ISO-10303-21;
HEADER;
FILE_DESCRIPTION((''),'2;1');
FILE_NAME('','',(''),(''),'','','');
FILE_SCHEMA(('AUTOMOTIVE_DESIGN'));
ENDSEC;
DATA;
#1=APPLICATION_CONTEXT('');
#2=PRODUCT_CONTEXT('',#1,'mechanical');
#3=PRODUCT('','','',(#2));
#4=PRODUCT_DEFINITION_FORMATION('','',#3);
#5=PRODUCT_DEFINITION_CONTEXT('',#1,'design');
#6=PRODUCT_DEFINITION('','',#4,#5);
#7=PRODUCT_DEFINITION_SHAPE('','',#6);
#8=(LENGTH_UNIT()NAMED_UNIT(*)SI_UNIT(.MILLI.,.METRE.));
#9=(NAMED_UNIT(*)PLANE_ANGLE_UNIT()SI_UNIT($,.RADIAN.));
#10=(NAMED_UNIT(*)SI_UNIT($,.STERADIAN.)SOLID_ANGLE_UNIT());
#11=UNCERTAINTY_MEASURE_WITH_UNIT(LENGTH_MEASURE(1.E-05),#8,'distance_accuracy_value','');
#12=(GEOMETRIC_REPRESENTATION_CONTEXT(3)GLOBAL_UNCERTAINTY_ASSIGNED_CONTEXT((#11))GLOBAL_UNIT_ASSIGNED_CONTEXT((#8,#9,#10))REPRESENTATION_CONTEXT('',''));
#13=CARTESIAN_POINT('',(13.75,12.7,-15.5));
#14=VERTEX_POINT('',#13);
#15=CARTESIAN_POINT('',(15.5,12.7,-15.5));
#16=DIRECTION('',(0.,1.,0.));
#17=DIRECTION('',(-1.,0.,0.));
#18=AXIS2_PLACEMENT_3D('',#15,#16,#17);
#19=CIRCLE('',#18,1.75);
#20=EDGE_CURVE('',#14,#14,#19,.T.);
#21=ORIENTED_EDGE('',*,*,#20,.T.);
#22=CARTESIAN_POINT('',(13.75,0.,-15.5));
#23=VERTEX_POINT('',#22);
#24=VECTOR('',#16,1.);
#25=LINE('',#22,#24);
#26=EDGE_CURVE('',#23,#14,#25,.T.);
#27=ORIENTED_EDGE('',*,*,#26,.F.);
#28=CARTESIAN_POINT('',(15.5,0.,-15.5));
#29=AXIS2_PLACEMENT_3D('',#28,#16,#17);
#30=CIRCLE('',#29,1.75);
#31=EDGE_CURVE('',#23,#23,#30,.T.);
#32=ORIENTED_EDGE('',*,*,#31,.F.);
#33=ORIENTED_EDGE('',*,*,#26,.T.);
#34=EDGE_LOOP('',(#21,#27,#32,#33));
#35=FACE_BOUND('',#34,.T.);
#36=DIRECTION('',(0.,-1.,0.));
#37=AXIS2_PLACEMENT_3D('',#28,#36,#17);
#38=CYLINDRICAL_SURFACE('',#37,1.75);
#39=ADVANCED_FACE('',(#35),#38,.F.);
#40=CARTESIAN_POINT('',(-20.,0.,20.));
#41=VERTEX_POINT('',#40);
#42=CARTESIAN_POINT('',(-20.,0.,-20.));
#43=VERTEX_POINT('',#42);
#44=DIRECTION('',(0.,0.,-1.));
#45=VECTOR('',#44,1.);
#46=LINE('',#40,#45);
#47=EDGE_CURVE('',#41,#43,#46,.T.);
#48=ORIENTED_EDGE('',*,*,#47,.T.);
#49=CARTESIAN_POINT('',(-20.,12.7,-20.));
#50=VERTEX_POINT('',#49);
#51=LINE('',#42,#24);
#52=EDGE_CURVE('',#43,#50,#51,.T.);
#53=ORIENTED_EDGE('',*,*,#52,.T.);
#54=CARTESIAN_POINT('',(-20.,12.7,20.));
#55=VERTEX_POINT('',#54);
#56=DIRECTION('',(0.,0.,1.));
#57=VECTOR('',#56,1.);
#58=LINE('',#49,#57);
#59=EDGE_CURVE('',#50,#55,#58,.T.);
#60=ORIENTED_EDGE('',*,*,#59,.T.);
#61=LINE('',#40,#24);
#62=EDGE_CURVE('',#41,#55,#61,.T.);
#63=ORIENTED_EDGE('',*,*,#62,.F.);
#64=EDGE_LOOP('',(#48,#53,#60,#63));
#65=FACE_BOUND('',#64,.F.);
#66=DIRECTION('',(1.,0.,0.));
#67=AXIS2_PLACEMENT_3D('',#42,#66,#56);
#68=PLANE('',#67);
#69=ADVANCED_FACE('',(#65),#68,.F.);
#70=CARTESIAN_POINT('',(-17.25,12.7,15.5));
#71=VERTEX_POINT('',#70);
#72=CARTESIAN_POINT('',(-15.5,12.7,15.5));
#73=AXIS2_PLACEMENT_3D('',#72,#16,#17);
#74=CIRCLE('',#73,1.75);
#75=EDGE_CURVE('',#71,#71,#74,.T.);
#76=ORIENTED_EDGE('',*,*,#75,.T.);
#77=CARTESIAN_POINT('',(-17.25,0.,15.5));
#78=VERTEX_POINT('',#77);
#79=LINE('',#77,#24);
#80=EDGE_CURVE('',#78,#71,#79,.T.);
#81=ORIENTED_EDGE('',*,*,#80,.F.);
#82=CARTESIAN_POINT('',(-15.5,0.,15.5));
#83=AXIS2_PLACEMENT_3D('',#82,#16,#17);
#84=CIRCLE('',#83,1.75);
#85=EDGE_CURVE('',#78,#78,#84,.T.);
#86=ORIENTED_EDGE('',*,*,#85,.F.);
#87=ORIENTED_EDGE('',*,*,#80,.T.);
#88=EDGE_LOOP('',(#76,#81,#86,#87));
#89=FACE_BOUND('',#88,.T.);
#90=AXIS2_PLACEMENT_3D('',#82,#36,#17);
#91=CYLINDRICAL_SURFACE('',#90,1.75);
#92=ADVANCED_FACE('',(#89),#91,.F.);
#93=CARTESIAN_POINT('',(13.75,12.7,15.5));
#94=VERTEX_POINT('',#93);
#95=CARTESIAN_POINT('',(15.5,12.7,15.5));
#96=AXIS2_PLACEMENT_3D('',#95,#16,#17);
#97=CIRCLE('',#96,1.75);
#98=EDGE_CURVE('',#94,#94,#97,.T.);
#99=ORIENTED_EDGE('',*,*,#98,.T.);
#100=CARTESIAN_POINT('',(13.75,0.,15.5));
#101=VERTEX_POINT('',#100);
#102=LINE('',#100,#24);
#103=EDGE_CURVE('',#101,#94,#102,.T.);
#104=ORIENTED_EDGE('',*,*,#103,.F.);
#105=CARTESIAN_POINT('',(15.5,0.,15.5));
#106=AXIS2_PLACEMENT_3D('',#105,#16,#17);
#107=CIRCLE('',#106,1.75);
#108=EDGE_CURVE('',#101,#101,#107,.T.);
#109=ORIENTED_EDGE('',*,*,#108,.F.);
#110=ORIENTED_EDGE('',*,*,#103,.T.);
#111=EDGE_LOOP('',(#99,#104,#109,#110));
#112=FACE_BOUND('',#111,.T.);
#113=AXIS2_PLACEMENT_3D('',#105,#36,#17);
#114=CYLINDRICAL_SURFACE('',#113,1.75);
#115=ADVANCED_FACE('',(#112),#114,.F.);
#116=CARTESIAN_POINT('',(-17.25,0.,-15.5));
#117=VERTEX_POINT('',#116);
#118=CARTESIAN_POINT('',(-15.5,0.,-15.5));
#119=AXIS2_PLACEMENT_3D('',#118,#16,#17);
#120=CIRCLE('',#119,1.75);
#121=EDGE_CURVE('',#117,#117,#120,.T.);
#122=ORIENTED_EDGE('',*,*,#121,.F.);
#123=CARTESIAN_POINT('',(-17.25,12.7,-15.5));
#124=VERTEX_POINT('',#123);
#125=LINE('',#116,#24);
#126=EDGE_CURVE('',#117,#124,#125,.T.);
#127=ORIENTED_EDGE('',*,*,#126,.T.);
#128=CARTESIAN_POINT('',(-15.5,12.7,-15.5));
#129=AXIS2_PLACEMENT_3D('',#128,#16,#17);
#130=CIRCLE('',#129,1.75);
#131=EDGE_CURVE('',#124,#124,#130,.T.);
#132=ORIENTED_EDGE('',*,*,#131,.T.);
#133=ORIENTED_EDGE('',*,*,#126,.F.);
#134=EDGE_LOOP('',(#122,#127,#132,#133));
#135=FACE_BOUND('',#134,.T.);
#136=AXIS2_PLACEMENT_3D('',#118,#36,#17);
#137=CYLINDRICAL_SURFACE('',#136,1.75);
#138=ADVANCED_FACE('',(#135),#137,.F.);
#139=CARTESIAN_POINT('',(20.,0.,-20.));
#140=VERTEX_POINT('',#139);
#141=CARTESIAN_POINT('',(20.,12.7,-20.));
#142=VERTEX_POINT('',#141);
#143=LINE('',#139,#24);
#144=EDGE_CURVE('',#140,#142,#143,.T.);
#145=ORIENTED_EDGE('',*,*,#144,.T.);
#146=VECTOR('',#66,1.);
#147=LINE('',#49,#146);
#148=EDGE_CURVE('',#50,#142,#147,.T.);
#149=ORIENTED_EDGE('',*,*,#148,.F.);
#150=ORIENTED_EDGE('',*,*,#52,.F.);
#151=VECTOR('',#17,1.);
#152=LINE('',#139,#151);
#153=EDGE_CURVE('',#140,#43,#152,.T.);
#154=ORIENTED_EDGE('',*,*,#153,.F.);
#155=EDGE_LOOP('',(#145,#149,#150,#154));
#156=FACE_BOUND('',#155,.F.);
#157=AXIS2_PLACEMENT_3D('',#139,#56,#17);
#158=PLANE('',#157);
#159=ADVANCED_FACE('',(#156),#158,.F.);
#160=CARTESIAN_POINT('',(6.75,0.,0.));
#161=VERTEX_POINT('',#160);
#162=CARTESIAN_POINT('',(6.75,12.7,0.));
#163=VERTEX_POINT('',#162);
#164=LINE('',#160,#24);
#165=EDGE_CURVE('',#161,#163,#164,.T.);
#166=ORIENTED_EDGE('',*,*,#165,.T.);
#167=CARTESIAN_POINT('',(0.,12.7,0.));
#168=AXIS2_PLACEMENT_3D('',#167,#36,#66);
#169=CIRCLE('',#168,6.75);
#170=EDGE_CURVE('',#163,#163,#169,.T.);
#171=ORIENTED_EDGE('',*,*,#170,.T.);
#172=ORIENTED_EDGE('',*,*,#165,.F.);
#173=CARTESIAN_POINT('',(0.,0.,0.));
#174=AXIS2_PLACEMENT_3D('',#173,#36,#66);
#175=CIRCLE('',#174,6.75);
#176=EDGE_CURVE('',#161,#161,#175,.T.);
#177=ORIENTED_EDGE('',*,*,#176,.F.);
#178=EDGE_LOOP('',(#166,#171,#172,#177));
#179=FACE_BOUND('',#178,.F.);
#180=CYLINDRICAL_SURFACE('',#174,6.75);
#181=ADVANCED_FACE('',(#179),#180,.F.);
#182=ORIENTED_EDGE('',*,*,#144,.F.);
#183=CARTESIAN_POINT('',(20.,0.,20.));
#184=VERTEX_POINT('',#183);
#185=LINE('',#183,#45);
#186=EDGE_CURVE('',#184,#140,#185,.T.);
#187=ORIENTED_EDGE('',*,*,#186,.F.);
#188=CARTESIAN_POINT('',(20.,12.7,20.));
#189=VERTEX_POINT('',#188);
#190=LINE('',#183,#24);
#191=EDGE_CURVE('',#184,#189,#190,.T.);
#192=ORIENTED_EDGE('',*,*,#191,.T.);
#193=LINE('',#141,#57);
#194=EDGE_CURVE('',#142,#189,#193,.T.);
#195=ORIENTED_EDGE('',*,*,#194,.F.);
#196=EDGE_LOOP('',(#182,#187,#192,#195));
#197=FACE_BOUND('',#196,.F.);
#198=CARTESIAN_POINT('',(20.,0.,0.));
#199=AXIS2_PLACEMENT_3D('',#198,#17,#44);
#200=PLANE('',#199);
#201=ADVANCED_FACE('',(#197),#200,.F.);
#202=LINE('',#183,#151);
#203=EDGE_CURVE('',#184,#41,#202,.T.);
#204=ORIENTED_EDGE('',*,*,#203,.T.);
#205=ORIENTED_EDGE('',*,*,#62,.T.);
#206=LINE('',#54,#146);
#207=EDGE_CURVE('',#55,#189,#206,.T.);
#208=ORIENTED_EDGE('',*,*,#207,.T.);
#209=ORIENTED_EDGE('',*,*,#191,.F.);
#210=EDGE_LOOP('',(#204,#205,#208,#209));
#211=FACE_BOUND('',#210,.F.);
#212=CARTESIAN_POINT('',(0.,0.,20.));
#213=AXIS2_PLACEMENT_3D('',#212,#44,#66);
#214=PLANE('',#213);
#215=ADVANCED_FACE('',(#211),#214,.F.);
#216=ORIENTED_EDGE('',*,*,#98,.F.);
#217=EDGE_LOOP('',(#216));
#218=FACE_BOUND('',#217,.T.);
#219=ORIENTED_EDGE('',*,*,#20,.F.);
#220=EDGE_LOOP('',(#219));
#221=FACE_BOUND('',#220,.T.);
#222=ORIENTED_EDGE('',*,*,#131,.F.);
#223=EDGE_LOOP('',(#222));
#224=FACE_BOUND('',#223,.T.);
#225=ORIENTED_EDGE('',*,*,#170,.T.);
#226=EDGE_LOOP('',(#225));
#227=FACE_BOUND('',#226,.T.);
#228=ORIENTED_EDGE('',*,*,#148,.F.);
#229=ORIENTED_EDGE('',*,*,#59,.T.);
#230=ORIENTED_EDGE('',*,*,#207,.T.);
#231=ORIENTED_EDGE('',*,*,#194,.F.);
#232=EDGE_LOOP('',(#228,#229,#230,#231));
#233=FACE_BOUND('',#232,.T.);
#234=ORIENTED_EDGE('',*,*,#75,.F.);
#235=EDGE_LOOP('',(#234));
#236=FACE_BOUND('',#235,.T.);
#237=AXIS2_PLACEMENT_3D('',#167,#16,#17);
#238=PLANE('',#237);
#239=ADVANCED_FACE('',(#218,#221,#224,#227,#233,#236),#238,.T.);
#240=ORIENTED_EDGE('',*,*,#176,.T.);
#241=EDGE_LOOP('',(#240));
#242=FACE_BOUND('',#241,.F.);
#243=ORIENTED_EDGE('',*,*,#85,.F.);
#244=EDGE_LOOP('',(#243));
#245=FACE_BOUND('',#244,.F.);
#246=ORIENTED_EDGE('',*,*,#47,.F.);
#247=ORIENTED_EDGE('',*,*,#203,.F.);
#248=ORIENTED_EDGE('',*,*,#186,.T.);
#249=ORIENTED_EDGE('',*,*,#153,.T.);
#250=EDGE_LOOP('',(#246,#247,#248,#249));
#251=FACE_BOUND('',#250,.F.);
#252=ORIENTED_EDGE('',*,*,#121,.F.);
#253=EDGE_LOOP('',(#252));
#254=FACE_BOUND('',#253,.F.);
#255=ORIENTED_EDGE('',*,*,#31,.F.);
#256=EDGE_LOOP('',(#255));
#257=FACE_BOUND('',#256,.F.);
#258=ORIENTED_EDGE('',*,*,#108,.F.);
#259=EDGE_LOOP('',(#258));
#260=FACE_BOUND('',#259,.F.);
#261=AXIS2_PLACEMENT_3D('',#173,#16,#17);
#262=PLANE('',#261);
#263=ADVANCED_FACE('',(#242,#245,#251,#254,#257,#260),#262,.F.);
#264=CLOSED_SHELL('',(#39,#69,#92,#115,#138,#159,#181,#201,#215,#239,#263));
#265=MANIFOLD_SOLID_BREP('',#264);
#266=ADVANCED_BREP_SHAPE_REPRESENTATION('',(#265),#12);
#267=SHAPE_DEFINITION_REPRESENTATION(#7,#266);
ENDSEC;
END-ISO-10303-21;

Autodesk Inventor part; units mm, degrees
ref_plane "YZ Plane" through (0, 0, 0) normal (1, 0, 0) x (0, 1, 0)
ref_plane "XZ Plane" through (0, 0, 0) normal (0, 1, 0) x (-1, 0, 0)
ref_plane "XY Plane" through (0, 0, 0) normal (0, 0, 1) x (1, 0, 0)
sketch "Sketch1" plane through (0, 0, 0) normal (0, 1, 0) x (-1, 0, 0)
  line L0 (-20, -20) -> (20, -20)
  line L1 (20, -20) -> (20, 20)
  line L2 (20, 20) -> (-20, 20)
  line L3 (-20, 20) -> (-20, -20)
  line L4 (-20, -20) -> (20, 20) construction
  line L5 (20, -20) -> (-20, 20) construction
  circle A0 centre (15.5, 15.5) radius 1.75
  line L6 (20, 0) -> (-20, 0)
  line L7 (0, -20) -> (0, 20)
  circle A1 centre (15.5, -15.5) radius 1.75
  circle A2 centre (-15.5, 15.5) radius 1.75
  circle A3 centre (-15.5, -15.5) radius 1.75
  point P0 (0, 0)
  dimension "d3" = 40
  dimension "d4" = 40
  dimension "d5" = 3.5
  dimension "d10" = 31
  dimension "d11" = 31
extrude "Extrusion2" add sketch "Sketch1" along normal blind 12.7
sketch "Sketch2" plane through (0, 0, 0) normal (0, -1, 0) x (1, 0, 0)
  circle A0 centre (0, 0) radius 6.75
  dimension "d12" = 13.5
extrude "Extrusion3" cut sketch "Sketch2" against normal through all
properties part number "Lead_Screw_Thrust_Bearing_Mount"
